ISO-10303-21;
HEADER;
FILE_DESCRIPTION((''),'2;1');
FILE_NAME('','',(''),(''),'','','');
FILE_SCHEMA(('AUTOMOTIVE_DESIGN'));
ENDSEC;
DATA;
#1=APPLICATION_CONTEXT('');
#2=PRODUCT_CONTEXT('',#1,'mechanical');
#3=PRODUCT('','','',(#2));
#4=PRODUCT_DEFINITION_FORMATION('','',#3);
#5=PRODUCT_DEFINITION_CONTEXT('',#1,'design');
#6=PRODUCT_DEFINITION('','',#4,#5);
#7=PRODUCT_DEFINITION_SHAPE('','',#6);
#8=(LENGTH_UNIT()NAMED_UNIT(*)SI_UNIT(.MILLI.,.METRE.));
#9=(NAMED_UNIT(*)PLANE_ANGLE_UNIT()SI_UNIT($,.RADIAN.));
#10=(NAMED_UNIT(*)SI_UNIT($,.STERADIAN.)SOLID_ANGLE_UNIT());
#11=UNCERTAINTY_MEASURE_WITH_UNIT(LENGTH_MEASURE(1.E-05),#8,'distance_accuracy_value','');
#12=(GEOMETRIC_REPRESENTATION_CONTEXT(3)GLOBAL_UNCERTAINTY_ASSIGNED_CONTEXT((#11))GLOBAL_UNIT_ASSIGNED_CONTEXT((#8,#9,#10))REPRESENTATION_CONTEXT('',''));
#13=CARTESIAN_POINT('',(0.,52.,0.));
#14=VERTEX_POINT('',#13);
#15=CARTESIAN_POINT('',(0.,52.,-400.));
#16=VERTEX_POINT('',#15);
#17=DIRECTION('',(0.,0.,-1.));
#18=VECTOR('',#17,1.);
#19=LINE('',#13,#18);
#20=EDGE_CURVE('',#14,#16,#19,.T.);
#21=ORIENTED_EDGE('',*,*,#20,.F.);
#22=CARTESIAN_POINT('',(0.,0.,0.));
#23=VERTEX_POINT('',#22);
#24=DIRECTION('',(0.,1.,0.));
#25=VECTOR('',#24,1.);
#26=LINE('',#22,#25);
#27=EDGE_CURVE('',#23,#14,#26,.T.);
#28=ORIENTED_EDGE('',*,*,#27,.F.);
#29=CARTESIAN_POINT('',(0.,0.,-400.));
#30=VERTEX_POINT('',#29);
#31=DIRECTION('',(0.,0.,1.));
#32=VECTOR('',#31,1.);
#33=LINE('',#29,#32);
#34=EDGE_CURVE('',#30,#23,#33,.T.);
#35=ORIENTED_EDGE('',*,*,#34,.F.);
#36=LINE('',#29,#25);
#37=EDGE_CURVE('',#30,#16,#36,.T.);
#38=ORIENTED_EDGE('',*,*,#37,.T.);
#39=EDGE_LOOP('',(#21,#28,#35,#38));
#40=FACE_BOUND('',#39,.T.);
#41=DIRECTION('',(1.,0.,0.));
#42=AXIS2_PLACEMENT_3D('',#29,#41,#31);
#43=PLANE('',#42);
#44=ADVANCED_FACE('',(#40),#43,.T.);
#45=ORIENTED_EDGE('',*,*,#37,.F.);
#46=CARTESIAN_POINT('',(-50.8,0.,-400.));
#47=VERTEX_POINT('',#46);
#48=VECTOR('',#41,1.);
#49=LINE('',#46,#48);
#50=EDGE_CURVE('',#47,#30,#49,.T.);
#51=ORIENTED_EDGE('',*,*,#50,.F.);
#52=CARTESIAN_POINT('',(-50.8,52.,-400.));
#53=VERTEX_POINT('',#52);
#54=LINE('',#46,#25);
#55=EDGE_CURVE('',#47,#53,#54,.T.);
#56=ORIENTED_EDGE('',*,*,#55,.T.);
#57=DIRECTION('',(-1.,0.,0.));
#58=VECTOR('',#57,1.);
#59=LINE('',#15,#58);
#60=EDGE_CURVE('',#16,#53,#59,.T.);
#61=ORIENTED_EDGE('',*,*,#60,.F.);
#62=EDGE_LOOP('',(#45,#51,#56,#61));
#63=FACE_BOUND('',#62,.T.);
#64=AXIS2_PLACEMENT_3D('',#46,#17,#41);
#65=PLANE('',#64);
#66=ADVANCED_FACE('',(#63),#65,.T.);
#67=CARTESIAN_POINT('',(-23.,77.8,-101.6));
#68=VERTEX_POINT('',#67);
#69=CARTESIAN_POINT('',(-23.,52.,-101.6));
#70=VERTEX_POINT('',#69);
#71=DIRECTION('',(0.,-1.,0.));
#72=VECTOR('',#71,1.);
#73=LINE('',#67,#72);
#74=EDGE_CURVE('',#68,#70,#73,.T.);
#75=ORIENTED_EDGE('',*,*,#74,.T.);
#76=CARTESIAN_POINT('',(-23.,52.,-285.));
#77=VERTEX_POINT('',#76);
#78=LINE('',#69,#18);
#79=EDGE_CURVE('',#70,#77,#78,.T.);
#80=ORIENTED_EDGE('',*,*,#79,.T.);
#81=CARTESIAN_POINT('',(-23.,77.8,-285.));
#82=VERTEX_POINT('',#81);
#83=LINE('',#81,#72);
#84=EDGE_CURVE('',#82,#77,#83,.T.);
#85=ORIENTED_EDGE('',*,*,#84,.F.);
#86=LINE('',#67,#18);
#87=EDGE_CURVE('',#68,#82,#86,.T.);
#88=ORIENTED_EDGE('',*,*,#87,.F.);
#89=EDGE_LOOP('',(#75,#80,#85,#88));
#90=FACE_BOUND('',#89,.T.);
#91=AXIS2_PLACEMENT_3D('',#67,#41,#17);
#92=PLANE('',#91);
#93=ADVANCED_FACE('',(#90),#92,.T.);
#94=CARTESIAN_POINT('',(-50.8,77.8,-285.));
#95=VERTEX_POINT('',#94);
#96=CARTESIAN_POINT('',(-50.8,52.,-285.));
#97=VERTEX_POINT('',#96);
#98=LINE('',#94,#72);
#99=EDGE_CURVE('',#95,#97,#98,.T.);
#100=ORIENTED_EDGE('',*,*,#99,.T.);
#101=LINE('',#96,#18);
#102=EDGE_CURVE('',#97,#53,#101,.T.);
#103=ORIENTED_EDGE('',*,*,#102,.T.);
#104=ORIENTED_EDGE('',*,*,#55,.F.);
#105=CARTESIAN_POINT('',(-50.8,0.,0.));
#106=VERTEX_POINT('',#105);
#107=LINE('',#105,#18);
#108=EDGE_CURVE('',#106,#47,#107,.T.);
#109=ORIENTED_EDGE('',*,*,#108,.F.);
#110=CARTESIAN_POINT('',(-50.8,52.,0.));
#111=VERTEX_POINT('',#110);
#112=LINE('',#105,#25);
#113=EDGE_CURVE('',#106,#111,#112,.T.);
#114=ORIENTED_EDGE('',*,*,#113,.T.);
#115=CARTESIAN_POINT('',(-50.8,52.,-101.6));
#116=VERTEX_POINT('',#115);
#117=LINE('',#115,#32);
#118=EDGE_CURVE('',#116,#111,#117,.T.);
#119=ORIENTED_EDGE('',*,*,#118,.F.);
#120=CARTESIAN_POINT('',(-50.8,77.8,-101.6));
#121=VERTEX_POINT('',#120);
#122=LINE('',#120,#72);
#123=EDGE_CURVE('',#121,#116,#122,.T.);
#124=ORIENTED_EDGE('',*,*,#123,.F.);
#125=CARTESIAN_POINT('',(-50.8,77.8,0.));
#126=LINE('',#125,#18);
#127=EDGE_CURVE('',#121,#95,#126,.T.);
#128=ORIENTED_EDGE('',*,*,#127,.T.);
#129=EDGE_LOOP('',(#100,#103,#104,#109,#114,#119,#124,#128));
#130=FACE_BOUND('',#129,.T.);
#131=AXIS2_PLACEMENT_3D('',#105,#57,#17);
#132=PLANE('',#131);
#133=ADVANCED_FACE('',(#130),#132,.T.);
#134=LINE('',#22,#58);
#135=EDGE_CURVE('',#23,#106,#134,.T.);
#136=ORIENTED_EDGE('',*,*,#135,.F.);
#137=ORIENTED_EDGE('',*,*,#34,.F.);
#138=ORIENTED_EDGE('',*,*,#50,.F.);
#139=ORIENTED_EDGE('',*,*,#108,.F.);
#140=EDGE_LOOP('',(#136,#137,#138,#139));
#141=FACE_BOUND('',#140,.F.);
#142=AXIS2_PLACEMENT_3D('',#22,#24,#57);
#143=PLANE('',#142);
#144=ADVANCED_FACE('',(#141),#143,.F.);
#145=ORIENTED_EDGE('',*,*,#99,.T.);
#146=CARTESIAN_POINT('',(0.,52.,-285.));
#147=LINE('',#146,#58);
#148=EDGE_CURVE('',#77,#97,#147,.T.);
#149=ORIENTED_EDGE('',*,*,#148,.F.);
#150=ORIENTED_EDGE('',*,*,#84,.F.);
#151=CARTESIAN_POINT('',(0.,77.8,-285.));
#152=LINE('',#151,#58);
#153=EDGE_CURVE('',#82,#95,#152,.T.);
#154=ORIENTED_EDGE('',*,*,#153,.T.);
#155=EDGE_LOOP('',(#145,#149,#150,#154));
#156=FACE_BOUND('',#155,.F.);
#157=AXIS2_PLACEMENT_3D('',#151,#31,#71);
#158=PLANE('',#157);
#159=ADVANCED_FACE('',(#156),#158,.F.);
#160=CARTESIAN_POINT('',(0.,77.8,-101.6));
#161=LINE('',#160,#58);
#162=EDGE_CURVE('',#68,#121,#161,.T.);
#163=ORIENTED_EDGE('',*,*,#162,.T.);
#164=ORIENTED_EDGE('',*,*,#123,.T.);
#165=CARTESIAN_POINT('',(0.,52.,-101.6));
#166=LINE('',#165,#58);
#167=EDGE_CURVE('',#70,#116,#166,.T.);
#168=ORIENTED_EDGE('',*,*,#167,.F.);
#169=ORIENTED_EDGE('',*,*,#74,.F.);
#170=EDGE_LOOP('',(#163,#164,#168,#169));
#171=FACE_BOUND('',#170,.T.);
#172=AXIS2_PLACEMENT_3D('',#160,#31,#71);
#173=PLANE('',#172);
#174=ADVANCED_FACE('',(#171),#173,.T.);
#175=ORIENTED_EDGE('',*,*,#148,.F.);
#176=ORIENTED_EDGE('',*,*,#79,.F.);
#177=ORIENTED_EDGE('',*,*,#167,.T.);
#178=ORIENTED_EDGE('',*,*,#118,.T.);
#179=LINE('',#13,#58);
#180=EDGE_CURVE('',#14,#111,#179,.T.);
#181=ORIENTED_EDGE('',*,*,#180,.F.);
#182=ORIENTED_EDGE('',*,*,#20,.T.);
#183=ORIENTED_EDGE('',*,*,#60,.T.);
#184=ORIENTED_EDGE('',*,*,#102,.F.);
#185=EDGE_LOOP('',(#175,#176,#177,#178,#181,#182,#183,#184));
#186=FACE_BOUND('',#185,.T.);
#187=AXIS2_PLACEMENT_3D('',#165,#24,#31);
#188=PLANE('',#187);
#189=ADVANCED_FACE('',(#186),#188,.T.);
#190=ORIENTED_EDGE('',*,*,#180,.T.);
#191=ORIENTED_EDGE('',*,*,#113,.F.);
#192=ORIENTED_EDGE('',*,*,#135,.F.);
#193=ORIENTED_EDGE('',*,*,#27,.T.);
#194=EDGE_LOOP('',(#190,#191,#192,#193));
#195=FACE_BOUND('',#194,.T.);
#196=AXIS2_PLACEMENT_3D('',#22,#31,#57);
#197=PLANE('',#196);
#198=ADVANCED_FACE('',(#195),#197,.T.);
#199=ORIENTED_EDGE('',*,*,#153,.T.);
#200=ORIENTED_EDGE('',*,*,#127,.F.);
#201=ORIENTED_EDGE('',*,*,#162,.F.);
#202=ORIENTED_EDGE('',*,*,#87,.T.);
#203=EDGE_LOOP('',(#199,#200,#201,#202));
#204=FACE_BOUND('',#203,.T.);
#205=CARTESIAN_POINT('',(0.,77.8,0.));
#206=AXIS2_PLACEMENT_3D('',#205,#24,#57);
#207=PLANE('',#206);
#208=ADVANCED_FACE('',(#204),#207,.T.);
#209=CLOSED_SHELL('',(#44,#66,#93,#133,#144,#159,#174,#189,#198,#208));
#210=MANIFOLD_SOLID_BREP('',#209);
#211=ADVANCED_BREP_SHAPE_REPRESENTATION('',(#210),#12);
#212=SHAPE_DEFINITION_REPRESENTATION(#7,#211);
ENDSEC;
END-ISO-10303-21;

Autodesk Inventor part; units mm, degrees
ref_plane "YZ Plane" through (0, 0, 0) normal (1, 0, 0) x (0, 1, 0)
ref_plane "XZ Plane" through (0, 0, 0) normal (0, 1, 0) x (-1, 0, 0)
ref_plane "XY Plane" through (0, 0, 0) normal (0, 0, 1) x (1, 0, 0)
sketch "Sketch1" plane through (0, 0, 0) normal (0, 1, 0) x (-1, 0, 0)
  line L0 (0, 0) -> (50.8, 0)
  line L1 (50.8, 0) -> (50.8, -400)
  line L2 (50.8, -400) -> (0, -400)
  line L3 (0, -400) -> (0, 0)
  dimension "d0" = 50.8
  dimension "d1" = 400
extrude "Extrusion1" add sketch "Sketch1" along normal blind 77.8
sketch "Sketch3" plane through (0, 0, 0) normal (1, 0, 0) x (0, 0, -1)
  line L0 (0, 77.8) -> (101.6, 77.8)
  line L1 (101.6, 77.8) -> (101.6, 52)
  line L2 (101.6, 52) -> (0, 52)
  line L3 (0, 52) -> (0, 77.8)
  line L4 (0, 77.8) -> (400, 77.8) projected
  line L5 (400, 77.8) -> (285, 77.8)
  line L6 (285, 77.8) -> (285, 52)
  line L7 (285, 52) -> (400, 52)
  line L8 (400, 52) -> (400, 77.8)
  point P0 (0, 0)
  dimension "d8" = 101.6
  dimension "d9" = 25.8
  dimension "d10" = 115
  dimension "d11" = 25.8
extrude "Extrusion2" cut sketch "Sketch3" against normal blind 50.8
sketch "Sketch4" plane through (0, 77.8, 0) normal (0, 1, 0) x (1, 0, 0)
  line L0 (0, 101.6) -> (0, 285) projected
  line L1 (0, 285) -> (-50.8, 285) projected
  line L2 (0, 101.6) -> (-23, 101.6)
  line L3 (-23, 101.6) -> (-23, 285)
  line L4 (-23, 285) -> (0, 285)
  line L5 (0, 285) -> (0, 101.6)
  point P0 (0, 0)
  dimension "d14" = 23
extrude "Extrusion3" cut sketch "Sketch4" against normal blind 25.8
properties part number "PiezaPuerta-1"
